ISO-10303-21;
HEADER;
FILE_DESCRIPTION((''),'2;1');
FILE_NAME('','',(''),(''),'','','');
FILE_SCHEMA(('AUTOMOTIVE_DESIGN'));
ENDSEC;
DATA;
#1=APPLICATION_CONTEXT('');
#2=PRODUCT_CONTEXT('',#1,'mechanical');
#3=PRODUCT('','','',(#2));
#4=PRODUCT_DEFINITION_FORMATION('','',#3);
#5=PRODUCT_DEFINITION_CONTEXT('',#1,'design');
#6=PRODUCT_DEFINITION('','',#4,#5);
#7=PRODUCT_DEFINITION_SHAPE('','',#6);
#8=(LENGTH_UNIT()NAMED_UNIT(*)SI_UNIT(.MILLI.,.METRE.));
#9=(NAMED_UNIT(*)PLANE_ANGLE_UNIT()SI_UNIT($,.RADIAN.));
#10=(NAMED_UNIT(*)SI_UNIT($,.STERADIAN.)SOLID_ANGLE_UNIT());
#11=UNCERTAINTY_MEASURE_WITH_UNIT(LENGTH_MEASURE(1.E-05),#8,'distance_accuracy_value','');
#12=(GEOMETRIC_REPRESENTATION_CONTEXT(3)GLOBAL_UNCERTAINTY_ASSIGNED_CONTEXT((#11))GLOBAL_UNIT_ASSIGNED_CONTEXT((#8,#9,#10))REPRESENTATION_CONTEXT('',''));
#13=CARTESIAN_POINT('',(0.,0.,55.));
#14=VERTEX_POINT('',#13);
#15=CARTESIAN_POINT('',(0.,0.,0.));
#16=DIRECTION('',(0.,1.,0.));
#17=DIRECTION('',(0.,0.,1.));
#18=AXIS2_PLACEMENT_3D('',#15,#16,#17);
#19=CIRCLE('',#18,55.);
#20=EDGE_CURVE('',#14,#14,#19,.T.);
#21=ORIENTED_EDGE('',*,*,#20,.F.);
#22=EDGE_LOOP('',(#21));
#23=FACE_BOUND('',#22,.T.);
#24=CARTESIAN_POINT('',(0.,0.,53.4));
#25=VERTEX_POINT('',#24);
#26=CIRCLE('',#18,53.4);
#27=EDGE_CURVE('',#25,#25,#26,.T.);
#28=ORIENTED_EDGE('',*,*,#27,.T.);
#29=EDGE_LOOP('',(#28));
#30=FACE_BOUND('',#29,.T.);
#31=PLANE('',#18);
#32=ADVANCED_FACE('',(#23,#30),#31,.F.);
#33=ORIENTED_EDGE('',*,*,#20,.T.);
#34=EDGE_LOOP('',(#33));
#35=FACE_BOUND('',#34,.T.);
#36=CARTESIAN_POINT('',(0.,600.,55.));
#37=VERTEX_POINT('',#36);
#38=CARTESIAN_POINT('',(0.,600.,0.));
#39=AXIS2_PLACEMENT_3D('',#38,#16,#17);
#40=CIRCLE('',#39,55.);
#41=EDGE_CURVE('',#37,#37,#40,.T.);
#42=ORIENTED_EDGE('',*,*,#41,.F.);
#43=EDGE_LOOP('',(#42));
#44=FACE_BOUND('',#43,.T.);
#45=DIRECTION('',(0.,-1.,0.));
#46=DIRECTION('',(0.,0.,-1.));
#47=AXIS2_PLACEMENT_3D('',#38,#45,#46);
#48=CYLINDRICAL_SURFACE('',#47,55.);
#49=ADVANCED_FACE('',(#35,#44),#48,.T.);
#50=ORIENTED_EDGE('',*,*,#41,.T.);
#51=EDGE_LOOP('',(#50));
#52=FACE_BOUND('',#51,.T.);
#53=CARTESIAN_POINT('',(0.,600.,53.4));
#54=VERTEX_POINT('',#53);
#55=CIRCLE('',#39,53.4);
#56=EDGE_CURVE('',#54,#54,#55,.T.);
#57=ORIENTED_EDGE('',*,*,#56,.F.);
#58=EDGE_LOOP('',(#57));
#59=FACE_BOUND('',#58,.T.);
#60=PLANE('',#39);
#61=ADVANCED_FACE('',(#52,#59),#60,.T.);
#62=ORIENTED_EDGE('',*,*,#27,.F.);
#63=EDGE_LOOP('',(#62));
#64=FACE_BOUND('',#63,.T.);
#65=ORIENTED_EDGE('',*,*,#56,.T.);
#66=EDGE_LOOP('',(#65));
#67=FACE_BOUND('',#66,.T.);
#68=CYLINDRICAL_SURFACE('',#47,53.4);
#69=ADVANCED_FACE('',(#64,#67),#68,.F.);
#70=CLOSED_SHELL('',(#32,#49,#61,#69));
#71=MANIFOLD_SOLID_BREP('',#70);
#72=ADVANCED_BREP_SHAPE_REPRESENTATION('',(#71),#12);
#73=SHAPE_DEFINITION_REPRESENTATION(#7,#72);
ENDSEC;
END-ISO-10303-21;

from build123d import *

# Parameters (mm, degrees)
CROQUIS1_R              = 55
CROQUIS1_R_2            = 53.4
SALIENTE_EXTRUIR1_DEPTH = 600


with BuildPart() as part:
    # Croquis1 → Saliente-Extruir1 (new body)
    with BuildSketch(Plane(origin=(0, 0, 0), x_dir=(1, 0, 0), z_dir=(0, 1, 0))):
        Circle(CROQUIS1_R)
        Circle(CROQUIS1_R_2, mode=Mode.SUBTRACT)
    extrude(amount=SALIENTE_EXTRUIR1_DEPTH)


solid = part.part
